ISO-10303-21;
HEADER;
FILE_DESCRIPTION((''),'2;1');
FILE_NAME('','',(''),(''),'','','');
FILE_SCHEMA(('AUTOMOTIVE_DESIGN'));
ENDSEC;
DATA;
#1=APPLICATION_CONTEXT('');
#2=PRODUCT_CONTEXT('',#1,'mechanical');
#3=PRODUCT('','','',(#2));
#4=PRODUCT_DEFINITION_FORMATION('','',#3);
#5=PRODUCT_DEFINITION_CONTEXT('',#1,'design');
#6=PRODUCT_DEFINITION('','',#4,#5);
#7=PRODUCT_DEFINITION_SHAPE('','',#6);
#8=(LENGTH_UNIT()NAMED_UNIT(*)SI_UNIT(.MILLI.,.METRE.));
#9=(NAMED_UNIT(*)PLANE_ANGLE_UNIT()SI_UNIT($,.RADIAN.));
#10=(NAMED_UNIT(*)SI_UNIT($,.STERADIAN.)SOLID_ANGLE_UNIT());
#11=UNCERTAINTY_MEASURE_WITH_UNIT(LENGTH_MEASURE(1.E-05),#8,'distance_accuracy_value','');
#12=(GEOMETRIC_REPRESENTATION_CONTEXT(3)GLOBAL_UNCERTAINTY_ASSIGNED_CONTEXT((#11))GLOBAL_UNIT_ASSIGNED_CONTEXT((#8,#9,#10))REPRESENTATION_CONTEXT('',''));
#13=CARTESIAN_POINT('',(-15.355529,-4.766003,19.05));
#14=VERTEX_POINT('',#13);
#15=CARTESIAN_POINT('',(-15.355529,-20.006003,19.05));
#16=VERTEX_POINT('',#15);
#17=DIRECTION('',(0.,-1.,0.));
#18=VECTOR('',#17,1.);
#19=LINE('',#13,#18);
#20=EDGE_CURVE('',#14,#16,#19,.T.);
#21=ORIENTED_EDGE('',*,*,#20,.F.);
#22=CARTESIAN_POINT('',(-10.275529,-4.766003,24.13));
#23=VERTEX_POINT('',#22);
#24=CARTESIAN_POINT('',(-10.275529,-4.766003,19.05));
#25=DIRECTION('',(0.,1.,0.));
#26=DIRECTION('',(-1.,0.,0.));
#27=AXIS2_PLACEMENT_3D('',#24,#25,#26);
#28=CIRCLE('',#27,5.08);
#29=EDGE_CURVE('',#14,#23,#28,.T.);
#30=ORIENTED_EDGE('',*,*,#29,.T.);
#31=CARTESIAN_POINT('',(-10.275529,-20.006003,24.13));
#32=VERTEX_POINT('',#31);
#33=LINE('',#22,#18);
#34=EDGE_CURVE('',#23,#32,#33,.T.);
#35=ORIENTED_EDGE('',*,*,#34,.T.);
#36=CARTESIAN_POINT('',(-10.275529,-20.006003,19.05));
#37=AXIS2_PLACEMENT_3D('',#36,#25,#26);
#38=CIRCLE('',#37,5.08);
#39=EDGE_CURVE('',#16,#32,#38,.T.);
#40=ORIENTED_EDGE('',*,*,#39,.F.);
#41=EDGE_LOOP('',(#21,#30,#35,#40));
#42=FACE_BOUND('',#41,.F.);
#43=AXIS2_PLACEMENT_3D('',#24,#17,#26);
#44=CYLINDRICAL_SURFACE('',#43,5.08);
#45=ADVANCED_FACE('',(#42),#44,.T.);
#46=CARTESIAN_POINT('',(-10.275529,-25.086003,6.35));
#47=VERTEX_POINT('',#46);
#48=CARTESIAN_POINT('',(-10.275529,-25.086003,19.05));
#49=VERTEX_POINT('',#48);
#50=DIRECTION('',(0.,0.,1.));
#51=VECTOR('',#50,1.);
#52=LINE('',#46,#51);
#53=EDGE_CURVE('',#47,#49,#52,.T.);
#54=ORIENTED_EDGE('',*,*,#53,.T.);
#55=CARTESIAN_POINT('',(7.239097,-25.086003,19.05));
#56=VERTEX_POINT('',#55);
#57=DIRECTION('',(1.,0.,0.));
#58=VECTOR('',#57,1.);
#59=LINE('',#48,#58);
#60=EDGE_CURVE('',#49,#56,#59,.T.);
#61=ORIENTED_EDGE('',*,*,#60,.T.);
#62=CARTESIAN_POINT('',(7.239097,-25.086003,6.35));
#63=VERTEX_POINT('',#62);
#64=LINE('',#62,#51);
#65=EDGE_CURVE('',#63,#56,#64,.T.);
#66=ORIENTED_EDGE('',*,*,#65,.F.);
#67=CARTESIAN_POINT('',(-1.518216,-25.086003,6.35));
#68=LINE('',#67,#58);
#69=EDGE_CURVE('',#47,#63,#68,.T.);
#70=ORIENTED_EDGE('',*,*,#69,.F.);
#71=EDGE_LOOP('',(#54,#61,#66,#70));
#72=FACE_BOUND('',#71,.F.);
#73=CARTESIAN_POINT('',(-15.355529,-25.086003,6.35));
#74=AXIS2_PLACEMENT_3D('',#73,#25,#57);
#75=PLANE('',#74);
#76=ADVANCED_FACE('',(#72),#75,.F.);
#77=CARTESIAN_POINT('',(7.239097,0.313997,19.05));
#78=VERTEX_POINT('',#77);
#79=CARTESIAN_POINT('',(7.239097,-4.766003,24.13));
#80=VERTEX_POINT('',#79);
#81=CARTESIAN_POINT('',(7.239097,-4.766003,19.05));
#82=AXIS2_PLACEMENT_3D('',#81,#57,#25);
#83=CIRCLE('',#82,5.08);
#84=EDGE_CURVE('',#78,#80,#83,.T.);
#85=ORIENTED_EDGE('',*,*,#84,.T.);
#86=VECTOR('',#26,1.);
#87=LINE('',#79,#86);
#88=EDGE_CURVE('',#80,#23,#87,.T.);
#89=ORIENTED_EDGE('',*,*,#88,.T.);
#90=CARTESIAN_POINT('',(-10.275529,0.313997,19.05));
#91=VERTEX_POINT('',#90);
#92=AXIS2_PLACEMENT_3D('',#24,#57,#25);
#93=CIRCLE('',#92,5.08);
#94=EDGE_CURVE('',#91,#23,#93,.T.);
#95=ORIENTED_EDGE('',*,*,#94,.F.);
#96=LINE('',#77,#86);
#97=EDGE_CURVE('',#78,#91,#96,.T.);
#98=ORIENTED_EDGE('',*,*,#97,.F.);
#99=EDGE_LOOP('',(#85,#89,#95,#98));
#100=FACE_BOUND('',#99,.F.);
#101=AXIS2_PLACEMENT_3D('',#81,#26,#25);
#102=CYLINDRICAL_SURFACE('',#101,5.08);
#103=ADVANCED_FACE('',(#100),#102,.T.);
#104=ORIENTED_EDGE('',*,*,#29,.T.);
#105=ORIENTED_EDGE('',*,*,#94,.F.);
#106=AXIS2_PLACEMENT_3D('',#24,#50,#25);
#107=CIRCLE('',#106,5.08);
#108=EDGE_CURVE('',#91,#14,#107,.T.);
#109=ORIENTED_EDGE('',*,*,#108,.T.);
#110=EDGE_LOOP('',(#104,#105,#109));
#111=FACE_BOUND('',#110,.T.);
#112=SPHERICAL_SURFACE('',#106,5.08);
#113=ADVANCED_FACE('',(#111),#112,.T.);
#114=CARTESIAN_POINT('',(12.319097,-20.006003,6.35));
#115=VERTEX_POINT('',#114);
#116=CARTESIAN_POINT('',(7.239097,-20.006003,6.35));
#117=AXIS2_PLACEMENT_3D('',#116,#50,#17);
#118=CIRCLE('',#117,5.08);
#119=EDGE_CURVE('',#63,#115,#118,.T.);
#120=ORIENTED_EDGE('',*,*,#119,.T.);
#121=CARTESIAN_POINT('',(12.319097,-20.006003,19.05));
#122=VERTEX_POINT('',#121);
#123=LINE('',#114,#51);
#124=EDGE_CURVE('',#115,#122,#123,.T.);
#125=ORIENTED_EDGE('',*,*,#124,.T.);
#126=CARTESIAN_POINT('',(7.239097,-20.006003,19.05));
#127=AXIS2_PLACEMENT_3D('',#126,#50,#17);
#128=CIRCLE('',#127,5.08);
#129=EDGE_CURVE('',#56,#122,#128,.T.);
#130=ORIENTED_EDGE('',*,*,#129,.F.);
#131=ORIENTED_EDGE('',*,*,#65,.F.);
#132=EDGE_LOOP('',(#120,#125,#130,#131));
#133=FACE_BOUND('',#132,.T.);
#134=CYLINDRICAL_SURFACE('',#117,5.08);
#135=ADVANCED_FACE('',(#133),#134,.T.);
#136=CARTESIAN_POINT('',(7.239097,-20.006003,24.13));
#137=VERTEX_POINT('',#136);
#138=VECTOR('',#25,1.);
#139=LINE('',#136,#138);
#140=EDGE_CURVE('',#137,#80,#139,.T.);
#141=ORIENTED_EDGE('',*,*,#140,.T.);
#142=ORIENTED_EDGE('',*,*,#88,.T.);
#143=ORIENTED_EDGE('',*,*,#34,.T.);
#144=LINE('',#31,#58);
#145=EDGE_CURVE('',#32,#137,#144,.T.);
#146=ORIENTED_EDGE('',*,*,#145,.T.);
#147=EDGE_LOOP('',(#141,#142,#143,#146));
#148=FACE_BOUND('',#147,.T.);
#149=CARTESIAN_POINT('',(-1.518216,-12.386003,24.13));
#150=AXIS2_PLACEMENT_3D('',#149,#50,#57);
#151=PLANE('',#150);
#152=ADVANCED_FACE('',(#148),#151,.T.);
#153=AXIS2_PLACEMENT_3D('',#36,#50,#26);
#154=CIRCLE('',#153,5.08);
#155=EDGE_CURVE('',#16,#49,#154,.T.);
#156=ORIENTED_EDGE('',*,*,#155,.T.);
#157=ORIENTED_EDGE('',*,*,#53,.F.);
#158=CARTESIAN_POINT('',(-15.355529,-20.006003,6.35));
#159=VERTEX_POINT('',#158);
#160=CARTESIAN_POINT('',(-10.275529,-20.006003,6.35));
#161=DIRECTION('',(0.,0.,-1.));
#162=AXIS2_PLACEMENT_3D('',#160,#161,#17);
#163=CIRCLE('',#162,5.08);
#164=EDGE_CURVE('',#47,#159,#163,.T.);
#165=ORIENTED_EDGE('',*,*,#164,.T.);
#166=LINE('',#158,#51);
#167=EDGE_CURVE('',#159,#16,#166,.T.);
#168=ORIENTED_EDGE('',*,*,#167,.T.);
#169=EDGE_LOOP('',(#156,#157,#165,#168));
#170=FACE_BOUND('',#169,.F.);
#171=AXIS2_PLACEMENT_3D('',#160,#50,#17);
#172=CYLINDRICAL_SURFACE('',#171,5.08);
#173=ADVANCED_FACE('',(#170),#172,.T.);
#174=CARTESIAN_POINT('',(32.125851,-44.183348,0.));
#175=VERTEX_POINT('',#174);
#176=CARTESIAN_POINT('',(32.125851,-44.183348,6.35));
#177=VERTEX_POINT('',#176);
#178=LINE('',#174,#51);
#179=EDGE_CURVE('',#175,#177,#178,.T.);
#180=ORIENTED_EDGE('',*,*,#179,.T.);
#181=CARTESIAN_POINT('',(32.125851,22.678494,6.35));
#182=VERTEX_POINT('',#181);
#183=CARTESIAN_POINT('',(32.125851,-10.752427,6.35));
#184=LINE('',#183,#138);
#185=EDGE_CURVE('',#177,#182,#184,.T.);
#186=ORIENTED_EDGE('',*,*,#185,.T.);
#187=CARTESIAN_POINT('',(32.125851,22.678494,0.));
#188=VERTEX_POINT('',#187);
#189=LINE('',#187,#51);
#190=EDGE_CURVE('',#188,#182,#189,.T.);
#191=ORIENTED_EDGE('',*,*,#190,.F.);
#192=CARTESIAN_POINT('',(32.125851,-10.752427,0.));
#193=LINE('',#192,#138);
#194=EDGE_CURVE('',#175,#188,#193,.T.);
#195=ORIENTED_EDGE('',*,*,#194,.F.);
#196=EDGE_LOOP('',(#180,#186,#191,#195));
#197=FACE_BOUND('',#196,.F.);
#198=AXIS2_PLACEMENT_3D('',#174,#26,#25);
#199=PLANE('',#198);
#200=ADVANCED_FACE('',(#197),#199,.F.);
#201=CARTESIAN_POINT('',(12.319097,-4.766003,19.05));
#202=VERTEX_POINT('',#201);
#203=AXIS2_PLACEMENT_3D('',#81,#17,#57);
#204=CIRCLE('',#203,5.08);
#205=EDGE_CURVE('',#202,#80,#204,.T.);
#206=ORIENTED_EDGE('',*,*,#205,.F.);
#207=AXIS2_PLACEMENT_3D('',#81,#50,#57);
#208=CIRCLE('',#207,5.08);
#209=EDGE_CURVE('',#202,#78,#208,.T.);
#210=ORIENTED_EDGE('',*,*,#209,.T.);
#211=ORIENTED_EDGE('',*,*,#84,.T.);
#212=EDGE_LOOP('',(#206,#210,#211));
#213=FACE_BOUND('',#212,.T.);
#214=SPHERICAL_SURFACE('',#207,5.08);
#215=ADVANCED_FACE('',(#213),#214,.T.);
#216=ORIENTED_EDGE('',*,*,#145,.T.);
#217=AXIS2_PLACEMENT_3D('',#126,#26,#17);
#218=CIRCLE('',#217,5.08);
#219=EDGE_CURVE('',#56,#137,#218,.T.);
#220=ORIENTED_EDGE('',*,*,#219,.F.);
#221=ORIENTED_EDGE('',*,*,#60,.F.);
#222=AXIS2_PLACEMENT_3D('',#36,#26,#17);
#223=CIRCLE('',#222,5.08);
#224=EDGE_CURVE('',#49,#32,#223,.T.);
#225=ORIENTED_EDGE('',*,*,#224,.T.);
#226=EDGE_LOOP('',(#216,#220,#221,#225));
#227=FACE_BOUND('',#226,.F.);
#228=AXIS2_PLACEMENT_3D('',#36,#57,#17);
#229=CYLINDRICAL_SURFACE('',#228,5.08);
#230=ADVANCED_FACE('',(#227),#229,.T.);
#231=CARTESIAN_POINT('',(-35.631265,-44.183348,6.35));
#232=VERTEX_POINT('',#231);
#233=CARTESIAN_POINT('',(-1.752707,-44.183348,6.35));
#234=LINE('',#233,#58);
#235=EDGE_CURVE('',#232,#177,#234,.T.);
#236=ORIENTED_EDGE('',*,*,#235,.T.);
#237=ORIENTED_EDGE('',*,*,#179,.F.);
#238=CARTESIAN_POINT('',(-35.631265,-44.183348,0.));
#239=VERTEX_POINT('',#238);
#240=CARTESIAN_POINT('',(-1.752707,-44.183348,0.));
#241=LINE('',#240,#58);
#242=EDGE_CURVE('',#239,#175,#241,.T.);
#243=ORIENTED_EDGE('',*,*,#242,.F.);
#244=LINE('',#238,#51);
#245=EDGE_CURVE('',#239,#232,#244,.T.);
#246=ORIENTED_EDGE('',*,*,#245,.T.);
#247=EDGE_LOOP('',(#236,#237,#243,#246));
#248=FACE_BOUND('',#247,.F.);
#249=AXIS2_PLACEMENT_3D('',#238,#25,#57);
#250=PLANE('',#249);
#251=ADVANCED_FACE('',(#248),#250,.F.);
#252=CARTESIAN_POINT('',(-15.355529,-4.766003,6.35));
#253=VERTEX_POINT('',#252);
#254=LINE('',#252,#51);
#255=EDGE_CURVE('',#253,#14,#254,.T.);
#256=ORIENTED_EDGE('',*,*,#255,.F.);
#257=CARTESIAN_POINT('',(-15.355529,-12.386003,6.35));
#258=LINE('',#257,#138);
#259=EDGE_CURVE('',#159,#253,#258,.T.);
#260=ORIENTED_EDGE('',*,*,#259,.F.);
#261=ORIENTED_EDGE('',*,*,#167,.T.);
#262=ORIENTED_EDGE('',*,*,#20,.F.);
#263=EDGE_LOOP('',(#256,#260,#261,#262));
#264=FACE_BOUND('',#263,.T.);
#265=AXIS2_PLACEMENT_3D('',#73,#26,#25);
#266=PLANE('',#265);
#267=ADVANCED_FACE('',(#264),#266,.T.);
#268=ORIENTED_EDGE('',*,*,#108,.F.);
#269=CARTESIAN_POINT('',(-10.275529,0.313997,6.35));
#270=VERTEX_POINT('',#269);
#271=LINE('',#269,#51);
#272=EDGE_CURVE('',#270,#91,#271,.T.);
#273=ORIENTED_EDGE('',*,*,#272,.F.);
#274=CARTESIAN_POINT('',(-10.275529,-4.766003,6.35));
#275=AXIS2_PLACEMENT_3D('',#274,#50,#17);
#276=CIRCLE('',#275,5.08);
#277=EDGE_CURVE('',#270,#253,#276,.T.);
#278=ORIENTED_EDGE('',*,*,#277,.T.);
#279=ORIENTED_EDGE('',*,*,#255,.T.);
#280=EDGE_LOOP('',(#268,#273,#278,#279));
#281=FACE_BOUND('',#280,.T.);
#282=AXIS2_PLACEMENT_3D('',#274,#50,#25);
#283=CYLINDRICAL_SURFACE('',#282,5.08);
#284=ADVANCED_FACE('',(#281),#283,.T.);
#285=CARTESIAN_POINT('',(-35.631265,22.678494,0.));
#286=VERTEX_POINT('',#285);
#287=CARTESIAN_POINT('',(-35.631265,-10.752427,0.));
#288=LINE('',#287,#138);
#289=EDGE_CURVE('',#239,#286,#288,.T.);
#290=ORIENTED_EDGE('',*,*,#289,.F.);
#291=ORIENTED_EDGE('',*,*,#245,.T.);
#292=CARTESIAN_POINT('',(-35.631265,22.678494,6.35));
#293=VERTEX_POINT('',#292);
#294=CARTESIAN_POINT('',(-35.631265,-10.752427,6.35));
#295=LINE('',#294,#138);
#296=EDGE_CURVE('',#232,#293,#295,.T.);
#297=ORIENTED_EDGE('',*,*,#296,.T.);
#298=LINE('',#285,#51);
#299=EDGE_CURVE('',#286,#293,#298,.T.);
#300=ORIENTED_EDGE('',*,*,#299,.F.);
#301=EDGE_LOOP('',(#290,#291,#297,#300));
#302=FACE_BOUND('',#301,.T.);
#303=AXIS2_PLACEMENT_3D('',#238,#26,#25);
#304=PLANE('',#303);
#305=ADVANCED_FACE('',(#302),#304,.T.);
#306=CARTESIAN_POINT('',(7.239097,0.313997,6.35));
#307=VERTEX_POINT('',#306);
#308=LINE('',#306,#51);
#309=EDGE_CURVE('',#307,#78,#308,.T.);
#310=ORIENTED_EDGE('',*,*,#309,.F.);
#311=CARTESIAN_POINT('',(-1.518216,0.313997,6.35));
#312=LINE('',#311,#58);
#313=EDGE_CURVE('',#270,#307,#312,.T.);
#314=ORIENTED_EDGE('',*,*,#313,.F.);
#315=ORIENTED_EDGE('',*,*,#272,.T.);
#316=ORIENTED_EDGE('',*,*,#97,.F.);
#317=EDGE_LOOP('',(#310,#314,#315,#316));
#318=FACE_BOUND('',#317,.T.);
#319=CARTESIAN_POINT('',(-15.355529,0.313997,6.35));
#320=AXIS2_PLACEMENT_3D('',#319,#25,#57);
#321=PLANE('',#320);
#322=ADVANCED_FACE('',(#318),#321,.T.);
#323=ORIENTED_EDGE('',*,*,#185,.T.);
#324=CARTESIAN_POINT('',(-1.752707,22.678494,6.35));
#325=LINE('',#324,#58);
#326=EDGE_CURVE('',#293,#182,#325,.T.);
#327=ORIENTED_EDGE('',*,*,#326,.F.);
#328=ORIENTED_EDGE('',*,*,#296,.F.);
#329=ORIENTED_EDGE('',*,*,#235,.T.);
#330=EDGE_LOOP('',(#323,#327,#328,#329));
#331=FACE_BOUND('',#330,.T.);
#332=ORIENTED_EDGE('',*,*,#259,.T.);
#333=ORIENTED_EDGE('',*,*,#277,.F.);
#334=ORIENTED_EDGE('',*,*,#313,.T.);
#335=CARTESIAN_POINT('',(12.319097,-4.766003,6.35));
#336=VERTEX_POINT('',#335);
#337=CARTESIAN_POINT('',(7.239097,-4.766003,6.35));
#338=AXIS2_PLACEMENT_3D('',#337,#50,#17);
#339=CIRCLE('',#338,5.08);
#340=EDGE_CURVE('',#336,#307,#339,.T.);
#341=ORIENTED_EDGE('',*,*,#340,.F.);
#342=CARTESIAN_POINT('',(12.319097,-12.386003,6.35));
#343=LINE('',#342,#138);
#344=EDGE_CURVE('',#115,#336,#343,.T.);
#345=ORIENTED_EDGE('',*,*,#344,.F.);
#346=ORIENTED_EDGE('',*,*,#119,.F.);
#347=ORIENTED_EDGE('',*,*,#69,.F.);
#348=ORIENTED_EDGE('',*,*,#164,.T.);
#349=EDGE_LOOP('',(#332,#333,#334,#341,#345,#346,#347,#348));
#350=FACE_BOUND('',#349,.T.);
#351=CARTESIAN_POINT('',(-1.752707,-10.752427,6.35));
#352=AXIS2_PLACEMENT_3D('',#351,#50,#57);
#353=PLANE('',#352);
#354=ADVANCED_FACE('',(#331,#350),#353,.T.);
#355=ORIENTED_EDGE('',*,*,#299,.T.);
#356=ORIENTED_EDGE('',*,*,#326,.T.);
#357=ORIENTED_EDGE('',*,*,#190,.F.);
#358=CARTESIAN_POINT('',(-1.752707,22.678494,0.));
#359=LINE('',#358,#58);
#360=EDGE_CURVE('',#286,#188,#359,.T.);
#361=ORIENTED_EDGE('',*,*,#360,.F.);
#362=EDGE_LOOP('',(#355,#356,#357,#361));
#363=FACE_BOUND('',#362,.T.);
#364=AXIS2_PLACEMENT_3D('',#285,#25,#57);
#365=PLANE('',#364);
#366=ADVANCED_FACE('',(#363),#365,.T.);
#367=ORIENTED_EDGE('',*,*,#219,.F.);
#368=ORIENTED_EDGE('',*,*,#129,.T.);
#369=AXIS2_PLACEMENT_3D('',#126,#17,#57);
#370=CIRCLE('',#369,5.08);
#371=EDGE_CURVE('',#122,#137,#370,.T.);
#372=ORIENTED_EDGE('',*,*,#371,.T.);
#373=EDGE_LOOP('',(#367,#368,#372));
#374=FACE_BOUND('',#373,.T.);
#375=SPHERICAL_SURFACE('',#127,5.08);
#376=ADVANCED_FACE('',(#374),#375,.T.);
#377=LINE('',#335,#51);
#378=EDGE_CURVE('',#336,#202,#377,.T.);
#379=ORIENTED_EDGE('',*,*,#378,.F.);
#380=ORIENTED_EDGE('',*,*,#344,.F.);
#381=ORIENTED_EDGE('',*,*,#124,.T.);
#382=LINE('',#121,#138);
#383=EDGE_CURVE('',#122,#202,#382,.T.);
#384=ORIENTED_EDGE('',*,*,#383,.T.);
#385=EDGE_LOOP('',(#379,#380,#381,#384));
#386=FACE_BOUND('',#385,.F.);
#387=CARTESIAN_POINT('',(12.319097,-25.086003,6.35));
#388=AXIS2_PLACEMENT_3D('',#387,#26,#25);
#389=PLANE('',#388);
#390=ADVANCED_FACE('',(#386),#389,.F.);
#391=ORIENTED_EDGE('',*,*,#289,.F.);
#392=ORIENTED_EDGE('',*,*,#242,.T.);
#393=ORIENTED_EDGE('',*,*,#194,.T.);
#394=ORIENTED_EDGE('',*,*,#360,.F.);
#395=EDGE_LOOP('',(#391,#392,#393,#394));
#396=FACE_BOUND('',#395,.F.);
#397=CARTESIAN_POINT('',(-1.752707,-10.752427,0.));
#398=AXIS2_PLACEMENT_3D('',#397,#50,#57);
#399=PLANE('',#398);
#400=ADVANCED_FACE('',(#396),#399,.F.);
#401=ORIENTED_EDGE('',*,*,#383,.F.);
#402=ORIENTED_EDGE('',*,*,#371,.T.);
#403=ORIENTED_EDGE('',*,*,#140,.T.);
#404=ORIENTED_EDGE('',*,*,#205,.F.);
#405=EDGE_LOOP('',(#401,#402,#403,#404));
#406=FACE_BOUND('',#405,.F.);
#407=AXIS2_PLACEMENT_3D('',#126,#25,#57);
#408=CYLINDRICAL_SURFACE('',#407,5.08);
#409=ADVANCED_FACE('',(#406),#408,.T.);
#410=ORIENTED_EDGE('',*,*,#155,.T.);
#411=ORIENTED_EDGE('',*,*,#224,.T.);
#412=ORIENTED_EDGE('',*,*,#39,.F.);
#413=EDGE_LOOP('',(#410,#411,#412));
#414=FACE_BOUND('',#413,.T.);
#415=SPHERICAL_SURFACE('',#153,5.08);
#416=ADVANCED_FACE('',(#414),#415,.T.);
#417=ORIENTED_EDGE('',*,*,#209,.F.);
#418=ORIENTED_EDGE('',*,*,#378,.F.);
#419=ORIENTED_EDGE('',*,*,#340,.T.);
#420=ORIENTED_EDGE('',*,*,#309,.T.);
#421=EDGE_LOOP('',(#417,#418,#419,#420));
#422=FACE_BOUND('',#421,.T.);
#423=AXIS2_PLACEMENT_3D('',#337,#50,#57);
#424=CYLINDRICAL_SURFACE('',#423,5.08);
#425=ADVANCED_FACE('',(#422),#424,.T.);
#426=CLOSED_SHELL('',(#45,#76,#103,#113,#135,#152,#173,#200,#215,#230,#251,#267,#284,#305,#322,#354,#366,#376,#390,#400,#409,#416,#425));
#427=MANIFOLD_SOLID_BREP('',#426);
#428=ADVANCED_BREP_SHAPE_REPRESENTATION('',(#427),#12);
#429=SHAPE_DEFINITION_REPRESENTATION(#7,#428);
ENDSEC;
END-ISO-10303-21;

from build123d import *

# Parameters (mm, degrees)
F0_W     = 67.757116
F0_H     = 66.861842
F1_DEPTH = 6.35
F2_W     = 27.674626
F2_H     = 25.4
F3_DEPTH = 17.78
F4_R     = 5.08
F5_R     = 5.08


with BuildPart() as f1:
    # F0 (on Top) → F1 (new body)
    with BuildSketch(Plane.XY):
        with Locations((-1.752707, -10.752427)):
            Rectangle(F0_W, F0_H)
    extrude(amount=F1_DEPTH)

    # F2 (on face) → F3 (join)
    with BuildSketch(Plane.XY.offset(6.35)):
        with Locations((-1.518216, -12.386003)):
            Rectangle(F2_W, F2_H)
    extrude(amount=F3_DEPTH)

    # F4
    f4_edges = [f1.edges().sort_by_distance(p)[0] for p in [
        (12.319097, -25.086003, 15.24),
        (-15.355529, -25.086003, 15.24),
        (-15.355529, 0.313997, 15.24),
        (12.319097, 0.313997, 15.24),
    ]]
    fillet(f4_edges, radius=F4_R)

    # F5
    f5_edges = [f1.edges().sort_by_distance(p)[0] for p in [
        (-1.518216, -25.086003, 24.13),
    ]]
    fillet(f5_edges, radius=F5_R)


solid = f1.part
